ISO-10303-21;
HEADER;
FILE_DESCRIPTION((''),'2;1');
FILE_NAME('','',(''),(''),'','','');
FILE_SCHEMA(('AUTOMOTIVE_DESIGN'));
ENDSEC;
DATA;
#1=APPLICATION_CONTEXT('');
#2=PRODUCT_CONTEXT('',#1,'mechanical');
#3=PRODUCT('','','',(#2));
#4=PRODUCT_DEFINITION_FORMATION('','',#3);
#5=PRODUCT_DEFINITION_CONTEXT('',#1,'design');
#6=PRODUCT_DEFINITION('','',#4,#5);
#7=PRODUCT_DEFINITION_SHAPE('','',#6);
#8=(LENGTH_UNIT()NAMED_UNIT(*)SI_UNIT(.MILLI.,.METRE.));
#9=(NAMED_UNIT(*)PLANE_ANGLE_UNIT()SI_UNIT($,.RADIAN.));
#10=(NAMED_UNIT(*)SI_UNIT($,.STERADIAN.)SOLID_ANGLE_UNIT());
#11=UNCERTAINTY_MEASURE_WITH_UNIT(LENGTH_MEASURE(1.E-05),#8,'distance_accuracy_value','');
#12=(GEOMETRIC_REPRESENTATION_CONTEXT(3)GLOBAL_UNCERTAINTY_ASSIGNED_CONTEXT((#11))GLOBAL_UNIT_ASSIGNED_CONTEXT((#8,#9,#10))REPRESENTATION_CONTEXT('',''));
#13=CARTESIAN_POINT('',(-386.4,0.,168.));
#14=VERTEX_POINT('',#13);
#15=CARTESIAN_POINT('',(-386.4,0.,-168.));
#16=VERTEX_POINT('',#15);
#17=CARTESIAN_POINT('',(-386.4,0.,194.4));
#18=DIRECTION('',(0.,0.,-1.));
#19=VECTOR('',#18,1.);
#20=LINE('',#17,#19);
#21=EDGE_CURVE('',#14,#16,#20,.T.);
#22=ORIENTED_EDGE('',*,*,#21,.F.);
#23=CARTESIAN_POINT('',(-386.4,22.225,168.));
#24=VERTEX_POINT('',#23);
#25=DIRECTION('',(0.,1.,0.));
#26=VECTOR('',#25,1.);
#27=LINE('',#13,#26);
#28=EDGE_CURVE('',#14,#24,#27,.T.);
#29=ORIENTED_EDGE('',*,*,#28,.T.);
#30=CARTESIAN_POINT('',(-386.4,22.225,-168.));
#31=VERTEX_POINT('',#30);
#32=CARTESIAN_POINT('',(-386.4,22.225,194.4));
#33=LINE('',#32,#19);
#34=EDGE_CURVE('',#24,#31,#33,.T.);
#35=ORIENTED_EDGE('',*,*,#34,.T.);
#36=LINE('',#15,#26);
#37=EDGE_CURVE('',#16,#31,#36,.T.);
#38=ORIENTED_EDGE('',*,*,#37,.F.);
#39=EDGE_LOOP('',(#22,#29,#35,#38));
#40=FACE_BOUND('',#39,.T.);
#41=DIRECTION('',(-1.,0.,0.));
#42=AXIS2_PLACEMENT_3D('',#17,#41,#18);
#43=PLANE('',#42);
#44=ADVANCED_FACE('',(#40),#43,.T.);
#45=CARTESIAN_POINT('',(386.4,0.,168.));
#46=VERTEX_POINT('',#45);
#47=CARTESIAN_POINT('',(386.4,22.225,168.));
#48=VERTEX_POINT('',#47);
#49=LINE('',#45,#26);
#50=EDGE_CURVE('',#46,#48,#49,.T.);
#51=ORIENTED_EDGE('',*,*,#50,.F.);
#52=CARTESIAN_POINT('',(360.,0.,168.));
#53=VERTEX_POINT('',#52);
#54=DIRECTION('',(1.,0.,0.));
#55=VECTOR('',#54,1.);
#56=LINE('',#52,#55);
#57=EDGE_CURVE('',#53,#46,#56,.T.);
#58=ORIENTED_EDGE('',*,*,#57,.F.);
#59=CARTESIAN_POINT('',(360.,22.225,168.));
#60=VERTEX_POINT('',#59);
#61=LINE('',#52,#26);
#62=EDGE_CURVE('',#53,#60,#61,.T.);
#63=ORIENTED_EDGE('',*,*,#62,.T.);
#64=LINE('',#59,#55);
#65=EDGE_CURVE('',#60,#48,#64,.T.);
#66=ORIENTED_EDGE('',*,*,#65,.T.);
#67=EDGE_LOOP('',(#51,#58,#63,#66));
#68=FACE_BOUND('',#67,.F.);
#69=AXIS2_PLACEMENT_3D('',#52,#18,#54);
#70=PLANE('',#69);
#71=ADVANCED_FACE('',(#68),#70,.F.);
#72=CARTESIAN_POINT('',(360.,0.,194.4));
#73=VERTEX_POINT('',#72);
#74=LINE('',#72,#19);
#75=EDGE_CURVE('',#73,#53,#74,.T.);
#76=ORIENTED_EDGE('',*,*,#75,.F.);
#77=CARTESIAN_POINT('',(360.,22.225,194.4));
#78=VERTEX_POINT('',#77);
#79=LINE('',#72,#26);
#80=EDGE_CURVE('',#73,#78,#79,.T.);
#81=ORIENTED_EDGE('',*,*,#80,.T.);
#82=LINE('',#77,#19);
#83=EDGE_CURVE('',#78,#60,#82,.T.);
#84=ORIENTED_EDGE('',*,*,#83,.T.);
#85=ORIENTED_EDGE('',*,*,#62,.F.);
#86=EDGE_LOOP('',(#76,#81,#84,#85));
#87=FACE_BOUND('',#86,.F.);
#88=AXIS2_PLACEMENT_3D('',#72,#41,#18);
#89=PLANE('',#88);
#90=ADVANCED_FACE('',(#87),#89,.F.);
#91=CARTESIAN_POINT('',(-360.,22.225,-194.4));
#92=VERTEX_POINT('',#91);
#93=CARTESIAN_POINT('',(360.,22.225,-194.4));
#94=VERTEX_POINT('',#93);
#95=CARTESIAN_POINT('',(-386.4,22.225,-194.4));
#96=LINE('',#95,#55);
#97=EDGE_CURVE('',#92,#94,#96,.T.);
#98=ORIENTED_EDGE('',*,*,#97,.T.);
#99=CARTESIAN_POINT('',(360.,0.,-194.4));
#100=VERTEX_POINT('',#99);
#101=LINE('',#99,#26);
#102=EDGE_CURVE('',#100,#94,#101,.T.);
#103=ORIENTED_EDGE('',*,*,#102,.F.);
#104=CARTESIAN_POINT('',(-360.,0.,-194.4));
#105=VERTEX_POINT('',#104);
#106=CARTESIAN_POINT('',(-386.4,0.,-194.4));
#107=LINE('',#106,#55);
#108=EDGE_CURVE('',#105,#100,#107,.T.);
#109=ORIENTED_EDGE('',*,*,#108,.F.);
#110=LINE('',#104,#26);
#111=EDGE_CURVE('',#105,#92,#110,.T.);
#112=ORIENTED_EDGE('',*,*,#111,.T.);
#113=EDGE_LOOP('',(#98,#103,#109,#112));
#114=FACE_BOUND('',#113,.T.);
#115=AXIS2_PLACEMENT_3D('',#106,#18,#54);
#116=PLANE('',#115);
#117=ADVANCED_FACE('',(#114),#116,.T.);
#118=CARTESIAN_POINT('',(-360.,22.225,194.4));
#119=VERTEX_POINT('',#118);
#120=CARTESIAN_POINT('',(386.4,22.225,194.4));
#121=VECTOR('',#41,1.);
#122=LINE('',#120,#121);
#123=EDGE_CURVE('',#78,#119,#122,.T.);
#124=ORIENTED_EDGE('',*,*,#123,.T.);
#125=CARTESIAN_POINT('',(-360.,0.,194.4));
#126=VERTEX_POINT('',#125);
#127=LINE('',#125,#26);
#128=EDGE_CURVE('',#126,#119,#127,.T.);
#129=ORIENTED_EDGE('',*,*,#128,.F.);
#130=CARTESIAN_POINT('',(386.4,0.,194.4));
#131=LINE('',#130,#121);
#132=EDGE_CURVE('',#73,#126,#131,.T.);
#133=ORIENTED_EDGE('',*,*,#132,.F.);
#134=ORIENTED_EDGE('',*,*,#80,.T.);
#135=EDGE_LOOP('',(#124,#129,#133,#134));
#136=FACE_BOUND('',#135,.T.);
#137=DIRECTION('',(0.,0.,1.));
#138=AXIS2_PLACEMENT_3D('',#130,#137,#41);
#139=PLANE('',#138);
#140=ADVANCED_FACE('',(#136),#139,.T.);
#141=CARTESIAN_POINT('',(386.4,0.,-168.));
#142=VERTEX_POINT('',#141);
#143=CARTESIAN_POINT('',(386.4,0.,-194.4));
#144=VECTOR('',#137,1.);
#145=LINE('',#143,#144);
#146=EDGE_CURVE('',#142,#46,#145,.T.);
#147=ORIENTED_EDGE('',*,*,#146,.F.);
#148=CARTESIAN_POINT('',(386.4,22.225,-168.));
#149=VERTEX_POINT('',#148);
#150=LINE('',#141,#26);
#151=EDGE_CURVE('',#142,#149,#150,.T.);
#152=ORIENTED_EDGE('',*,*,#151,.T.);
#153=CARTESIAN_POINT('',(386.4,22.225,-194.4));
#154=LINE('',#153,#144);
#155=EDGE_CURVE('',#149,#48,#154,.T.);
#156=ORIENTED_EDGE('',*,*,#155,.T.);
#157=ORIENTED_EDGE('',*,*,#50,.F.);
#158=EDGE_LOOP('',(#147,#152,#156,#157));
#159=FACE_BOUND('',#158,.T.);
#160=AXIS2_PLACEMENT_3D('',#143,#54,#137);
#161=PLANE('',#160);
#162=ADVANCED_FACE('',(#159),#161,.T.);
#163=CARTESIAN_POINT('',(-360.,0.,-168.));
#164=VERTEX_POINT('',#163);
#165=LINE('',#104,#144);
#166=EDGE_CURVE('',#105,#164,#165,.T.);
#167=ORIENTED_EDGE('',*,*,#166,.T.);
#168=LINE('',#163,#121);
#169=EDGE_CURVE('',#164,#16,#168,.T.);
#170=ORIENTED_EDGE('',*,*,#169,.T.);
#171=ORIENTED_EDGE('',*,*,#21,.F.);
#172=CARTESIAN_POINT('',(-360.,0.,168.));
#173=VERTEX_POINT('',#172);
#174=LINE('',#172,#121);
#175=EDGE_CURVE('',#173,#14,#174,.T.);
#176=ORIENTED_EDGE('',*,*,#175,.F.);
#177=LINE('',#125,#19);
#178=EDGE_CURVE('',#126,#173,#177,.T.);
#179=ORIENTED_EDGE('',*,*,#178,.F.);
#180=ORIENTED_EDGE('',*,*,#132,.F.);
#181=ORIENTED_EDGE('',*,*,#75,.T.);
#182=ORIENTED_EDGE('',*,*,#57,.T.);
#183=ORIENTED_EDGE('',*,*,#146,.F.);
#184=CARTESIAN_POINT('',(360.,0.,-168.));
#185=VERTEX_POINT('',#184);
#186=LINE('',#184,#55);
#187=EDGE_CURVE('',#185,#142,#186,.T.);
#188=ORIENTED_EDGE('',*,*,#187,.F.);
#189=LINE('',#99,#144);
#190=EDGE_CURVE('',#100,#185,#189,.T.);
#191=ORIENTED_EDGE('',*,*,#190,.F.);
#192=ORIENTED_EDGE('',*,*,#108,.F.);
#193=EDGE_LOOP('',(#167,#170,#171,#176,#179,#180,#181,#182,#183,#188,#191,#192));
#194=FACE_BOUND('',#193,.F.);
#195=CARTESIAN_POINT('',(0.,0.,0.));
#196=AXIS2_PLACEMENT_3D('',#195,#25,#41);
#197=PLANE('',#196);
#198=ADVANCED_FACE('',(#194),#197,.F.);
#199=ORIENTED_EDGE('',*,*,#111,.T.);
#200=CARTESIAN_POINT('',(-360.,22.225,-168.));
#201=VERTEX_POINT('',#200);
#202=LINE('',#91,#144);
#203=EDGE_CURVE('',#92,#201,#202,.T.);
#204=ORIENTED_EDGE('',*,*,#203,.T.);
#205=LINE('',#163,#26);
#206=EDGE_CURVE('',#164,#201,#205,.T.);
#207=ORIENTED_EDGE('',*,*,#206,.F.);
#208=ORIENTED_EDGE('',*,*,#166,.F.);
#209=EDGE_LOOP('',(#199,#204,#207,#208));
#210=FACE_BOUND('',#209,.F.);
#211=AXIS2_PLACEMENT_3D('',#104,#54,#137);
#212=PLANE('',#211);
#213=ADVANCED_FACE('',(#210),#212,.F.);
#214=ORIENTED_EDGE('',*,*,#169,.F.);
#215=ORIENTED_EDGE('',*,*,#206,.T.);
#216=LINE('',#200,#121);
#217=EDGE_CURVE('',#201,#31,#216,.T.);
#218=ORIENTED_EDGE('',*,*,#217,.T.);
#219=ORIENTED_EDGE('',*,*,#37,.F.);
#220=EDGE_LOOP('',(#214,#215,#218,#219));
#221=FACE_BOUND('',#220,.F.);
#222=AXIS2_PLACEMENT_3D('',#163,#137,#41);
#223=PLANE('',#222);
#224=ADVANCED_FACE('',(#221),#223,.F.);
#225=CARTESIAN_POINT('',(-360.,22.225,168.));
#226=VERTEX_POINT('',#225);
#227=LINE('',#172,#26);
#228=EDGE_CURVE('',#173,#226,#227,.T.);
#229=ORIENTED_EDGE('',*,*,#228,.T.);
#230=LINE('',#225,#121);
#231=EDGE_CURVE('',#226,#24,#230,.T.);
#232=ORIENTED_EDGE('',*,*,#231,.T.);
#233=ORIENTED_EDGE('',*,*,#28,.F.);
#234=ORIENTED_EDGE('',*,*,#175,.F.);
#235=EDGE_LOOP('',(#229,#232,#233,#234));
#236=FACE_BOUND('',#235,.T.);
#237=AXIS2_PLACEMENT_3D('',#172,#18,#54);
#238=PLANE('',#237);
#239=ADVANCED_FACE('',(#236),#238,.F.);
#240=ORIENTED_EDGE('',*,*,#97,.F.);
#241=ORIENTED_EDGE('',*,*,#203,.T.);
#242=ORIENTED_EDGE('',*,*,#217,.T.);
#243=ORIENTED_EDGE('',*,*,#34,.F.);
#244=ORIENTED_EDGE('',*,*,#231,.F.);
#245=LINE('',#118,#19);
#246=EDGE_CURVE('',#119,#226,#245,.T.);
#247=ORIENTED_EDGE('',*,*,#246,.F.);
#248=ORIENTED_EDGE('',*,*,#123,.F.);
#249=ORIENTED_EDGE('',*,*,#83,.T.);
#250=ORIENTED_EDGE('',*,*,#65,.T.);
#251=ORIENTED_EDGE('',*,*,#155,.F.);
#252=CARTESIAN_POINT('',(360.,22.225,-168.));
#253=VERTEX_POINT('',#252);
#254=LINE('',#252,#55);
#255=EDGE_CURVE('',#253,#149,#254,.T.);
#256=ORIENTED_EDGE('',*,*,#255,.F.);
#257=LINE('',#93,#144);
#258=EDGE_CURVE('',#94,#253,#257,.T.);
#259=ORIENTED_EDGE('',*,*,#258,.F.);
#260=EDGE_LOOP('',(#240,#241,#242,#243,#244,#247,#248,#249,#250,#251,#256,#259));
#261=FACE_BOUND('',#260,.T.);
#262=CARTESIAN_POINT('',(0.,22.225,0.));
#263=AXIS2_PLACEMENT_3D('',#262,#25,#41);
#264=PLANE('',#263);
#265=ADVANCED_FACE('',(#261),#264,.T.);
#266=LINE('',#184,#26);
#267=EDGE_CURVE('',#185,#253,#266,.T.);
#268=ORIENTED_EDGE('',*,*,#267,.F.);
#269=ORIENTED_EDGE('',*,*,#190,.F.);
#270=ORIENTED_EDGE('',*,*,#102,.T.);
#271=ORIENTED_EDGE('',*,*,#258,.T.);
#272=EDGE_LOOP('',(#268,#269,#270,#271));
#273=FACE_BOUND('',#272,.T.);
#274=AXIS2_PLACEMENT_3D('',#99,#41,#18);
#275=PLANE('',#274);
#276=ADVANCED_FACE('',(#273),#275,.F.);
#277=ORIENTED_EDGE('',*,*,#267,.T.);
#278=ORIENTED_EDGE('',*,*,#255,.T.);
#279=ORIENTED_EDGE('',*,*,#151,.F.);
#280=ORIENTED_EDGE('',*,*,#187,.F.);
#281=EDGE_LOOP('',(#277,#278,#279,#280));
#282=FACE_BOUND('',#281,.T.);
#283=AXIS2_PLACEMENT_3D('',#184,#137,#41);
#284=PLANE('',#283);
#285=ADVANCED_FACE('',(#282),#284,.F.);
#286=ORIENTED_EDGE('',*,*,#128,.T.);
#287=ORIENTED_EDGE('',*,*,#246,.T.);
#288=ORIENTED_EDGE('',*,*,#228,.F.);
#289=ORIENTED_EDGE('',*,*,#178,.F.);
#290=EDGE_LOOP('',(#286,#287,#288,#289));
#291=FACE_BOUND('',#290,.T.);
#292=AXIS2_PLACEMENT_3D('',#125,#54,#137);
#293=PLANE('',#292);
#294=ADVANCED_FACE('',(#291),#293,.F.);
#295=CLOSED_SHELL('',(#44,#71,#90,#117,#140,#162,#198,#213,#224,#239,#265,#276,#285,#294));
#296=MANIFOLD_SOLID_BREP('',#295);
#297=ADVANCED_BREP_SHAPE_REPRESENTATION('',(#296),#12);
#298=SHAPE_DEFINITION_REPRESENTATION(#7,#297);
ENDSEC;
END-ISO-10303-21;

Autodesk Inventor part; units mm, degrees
ref_plane "YZ Plane" through (0, 0, 0) normal (1, 0, 0) x (0, 1, 0)
ref_plane "XZ Plane" through (0, 0, 0) normal (0, 1, 0) x (-1, 0, 0)
ref_plane "XY Plane" through (0, 0, 0) normal (0, 0, 1) x (1, 0, 0)
sketch "Sketch1" plane through (0, 0, 0) normal (0, 1, 0) x (-1, 0, 0)
  line L0 (386.4, -194.4) -> (-386.4, -194.4)
  line L1 (-386.4, -194.4) -> (-386.4, 194.4)
  line L2 (-386.4, 194.4) -> (386.4, 194.4)
  line L3 (386.4, 194.4) -> (386.4, -194.4)
  point P0 (0, 0)
  point P1 (-386.4, 0)
  point P2 (0, -194.4)
  dimension "d0" = 772.8
  dimension "d1" = 388.8
extrude "Extrusion1" add sketch "Sketch1" along normal blind 22.225
sketch "Sketch2" plane through (0, 22.225, 0) normal (0, 1, 0) x (1, 0, 0)
  point P0 (0, 0)
sketch "Sketch3" plane through (0, 0, 0) normal (0, -1, 0) x (1, 0, 0)
  line L0 (-387.4, -195.4) -> (387.4, -195.4) construction
  line L1 (387.4, -195.4) -> (387.4, 195.4) construction
  line L2 (387.4, 195.4) -> (-387.4, 195.4) construction
  line L3 (-387.4, 195.4) -> (-387.4, -195.4) construction
  line L4 (-386.4, 194.4) -> (386.4, 194.4) construction
  line L5 (-386.4, -194.4) -> (-386.4, 194.4) construction
  point P0 (0, 0)
  point P1 (-387.4, 0)
  point P2 (0, 195.4)
  dimension "d4" = 1
  dimension "d5" = 1
sketch "Sketch4" plane through (0, 0, 0) normal (0, -1, 0) x (1, 0, 0)
  line L0 (386.4, -194.4) -> (-386.4, -194.4) projected
  line L1 (-386.4, -194.4) -> (-360, -194.4)
  line L2 (-360, -194.4) -> (-360, -168)
  line L3 (-360, -168) -> (-386.4, -168)
  line L4 (-386.4, -168) -> (-386.4, -194.4)
  point P0 (0, 0)
  dimension "d6" = 26.4
extrude "Extrusion2" cut sketch "Sketch4" against normal blind 22.225
mirror "Mirror1" about plane through (0, 0, 0) normal (1, 0, 0) of "Extrusion2"
mirror "Mirror2" about plane through (0, 0, 0) normal (0, 0, 1) of "Extrusion2", "Mirror1"
properties part number "shelf"
